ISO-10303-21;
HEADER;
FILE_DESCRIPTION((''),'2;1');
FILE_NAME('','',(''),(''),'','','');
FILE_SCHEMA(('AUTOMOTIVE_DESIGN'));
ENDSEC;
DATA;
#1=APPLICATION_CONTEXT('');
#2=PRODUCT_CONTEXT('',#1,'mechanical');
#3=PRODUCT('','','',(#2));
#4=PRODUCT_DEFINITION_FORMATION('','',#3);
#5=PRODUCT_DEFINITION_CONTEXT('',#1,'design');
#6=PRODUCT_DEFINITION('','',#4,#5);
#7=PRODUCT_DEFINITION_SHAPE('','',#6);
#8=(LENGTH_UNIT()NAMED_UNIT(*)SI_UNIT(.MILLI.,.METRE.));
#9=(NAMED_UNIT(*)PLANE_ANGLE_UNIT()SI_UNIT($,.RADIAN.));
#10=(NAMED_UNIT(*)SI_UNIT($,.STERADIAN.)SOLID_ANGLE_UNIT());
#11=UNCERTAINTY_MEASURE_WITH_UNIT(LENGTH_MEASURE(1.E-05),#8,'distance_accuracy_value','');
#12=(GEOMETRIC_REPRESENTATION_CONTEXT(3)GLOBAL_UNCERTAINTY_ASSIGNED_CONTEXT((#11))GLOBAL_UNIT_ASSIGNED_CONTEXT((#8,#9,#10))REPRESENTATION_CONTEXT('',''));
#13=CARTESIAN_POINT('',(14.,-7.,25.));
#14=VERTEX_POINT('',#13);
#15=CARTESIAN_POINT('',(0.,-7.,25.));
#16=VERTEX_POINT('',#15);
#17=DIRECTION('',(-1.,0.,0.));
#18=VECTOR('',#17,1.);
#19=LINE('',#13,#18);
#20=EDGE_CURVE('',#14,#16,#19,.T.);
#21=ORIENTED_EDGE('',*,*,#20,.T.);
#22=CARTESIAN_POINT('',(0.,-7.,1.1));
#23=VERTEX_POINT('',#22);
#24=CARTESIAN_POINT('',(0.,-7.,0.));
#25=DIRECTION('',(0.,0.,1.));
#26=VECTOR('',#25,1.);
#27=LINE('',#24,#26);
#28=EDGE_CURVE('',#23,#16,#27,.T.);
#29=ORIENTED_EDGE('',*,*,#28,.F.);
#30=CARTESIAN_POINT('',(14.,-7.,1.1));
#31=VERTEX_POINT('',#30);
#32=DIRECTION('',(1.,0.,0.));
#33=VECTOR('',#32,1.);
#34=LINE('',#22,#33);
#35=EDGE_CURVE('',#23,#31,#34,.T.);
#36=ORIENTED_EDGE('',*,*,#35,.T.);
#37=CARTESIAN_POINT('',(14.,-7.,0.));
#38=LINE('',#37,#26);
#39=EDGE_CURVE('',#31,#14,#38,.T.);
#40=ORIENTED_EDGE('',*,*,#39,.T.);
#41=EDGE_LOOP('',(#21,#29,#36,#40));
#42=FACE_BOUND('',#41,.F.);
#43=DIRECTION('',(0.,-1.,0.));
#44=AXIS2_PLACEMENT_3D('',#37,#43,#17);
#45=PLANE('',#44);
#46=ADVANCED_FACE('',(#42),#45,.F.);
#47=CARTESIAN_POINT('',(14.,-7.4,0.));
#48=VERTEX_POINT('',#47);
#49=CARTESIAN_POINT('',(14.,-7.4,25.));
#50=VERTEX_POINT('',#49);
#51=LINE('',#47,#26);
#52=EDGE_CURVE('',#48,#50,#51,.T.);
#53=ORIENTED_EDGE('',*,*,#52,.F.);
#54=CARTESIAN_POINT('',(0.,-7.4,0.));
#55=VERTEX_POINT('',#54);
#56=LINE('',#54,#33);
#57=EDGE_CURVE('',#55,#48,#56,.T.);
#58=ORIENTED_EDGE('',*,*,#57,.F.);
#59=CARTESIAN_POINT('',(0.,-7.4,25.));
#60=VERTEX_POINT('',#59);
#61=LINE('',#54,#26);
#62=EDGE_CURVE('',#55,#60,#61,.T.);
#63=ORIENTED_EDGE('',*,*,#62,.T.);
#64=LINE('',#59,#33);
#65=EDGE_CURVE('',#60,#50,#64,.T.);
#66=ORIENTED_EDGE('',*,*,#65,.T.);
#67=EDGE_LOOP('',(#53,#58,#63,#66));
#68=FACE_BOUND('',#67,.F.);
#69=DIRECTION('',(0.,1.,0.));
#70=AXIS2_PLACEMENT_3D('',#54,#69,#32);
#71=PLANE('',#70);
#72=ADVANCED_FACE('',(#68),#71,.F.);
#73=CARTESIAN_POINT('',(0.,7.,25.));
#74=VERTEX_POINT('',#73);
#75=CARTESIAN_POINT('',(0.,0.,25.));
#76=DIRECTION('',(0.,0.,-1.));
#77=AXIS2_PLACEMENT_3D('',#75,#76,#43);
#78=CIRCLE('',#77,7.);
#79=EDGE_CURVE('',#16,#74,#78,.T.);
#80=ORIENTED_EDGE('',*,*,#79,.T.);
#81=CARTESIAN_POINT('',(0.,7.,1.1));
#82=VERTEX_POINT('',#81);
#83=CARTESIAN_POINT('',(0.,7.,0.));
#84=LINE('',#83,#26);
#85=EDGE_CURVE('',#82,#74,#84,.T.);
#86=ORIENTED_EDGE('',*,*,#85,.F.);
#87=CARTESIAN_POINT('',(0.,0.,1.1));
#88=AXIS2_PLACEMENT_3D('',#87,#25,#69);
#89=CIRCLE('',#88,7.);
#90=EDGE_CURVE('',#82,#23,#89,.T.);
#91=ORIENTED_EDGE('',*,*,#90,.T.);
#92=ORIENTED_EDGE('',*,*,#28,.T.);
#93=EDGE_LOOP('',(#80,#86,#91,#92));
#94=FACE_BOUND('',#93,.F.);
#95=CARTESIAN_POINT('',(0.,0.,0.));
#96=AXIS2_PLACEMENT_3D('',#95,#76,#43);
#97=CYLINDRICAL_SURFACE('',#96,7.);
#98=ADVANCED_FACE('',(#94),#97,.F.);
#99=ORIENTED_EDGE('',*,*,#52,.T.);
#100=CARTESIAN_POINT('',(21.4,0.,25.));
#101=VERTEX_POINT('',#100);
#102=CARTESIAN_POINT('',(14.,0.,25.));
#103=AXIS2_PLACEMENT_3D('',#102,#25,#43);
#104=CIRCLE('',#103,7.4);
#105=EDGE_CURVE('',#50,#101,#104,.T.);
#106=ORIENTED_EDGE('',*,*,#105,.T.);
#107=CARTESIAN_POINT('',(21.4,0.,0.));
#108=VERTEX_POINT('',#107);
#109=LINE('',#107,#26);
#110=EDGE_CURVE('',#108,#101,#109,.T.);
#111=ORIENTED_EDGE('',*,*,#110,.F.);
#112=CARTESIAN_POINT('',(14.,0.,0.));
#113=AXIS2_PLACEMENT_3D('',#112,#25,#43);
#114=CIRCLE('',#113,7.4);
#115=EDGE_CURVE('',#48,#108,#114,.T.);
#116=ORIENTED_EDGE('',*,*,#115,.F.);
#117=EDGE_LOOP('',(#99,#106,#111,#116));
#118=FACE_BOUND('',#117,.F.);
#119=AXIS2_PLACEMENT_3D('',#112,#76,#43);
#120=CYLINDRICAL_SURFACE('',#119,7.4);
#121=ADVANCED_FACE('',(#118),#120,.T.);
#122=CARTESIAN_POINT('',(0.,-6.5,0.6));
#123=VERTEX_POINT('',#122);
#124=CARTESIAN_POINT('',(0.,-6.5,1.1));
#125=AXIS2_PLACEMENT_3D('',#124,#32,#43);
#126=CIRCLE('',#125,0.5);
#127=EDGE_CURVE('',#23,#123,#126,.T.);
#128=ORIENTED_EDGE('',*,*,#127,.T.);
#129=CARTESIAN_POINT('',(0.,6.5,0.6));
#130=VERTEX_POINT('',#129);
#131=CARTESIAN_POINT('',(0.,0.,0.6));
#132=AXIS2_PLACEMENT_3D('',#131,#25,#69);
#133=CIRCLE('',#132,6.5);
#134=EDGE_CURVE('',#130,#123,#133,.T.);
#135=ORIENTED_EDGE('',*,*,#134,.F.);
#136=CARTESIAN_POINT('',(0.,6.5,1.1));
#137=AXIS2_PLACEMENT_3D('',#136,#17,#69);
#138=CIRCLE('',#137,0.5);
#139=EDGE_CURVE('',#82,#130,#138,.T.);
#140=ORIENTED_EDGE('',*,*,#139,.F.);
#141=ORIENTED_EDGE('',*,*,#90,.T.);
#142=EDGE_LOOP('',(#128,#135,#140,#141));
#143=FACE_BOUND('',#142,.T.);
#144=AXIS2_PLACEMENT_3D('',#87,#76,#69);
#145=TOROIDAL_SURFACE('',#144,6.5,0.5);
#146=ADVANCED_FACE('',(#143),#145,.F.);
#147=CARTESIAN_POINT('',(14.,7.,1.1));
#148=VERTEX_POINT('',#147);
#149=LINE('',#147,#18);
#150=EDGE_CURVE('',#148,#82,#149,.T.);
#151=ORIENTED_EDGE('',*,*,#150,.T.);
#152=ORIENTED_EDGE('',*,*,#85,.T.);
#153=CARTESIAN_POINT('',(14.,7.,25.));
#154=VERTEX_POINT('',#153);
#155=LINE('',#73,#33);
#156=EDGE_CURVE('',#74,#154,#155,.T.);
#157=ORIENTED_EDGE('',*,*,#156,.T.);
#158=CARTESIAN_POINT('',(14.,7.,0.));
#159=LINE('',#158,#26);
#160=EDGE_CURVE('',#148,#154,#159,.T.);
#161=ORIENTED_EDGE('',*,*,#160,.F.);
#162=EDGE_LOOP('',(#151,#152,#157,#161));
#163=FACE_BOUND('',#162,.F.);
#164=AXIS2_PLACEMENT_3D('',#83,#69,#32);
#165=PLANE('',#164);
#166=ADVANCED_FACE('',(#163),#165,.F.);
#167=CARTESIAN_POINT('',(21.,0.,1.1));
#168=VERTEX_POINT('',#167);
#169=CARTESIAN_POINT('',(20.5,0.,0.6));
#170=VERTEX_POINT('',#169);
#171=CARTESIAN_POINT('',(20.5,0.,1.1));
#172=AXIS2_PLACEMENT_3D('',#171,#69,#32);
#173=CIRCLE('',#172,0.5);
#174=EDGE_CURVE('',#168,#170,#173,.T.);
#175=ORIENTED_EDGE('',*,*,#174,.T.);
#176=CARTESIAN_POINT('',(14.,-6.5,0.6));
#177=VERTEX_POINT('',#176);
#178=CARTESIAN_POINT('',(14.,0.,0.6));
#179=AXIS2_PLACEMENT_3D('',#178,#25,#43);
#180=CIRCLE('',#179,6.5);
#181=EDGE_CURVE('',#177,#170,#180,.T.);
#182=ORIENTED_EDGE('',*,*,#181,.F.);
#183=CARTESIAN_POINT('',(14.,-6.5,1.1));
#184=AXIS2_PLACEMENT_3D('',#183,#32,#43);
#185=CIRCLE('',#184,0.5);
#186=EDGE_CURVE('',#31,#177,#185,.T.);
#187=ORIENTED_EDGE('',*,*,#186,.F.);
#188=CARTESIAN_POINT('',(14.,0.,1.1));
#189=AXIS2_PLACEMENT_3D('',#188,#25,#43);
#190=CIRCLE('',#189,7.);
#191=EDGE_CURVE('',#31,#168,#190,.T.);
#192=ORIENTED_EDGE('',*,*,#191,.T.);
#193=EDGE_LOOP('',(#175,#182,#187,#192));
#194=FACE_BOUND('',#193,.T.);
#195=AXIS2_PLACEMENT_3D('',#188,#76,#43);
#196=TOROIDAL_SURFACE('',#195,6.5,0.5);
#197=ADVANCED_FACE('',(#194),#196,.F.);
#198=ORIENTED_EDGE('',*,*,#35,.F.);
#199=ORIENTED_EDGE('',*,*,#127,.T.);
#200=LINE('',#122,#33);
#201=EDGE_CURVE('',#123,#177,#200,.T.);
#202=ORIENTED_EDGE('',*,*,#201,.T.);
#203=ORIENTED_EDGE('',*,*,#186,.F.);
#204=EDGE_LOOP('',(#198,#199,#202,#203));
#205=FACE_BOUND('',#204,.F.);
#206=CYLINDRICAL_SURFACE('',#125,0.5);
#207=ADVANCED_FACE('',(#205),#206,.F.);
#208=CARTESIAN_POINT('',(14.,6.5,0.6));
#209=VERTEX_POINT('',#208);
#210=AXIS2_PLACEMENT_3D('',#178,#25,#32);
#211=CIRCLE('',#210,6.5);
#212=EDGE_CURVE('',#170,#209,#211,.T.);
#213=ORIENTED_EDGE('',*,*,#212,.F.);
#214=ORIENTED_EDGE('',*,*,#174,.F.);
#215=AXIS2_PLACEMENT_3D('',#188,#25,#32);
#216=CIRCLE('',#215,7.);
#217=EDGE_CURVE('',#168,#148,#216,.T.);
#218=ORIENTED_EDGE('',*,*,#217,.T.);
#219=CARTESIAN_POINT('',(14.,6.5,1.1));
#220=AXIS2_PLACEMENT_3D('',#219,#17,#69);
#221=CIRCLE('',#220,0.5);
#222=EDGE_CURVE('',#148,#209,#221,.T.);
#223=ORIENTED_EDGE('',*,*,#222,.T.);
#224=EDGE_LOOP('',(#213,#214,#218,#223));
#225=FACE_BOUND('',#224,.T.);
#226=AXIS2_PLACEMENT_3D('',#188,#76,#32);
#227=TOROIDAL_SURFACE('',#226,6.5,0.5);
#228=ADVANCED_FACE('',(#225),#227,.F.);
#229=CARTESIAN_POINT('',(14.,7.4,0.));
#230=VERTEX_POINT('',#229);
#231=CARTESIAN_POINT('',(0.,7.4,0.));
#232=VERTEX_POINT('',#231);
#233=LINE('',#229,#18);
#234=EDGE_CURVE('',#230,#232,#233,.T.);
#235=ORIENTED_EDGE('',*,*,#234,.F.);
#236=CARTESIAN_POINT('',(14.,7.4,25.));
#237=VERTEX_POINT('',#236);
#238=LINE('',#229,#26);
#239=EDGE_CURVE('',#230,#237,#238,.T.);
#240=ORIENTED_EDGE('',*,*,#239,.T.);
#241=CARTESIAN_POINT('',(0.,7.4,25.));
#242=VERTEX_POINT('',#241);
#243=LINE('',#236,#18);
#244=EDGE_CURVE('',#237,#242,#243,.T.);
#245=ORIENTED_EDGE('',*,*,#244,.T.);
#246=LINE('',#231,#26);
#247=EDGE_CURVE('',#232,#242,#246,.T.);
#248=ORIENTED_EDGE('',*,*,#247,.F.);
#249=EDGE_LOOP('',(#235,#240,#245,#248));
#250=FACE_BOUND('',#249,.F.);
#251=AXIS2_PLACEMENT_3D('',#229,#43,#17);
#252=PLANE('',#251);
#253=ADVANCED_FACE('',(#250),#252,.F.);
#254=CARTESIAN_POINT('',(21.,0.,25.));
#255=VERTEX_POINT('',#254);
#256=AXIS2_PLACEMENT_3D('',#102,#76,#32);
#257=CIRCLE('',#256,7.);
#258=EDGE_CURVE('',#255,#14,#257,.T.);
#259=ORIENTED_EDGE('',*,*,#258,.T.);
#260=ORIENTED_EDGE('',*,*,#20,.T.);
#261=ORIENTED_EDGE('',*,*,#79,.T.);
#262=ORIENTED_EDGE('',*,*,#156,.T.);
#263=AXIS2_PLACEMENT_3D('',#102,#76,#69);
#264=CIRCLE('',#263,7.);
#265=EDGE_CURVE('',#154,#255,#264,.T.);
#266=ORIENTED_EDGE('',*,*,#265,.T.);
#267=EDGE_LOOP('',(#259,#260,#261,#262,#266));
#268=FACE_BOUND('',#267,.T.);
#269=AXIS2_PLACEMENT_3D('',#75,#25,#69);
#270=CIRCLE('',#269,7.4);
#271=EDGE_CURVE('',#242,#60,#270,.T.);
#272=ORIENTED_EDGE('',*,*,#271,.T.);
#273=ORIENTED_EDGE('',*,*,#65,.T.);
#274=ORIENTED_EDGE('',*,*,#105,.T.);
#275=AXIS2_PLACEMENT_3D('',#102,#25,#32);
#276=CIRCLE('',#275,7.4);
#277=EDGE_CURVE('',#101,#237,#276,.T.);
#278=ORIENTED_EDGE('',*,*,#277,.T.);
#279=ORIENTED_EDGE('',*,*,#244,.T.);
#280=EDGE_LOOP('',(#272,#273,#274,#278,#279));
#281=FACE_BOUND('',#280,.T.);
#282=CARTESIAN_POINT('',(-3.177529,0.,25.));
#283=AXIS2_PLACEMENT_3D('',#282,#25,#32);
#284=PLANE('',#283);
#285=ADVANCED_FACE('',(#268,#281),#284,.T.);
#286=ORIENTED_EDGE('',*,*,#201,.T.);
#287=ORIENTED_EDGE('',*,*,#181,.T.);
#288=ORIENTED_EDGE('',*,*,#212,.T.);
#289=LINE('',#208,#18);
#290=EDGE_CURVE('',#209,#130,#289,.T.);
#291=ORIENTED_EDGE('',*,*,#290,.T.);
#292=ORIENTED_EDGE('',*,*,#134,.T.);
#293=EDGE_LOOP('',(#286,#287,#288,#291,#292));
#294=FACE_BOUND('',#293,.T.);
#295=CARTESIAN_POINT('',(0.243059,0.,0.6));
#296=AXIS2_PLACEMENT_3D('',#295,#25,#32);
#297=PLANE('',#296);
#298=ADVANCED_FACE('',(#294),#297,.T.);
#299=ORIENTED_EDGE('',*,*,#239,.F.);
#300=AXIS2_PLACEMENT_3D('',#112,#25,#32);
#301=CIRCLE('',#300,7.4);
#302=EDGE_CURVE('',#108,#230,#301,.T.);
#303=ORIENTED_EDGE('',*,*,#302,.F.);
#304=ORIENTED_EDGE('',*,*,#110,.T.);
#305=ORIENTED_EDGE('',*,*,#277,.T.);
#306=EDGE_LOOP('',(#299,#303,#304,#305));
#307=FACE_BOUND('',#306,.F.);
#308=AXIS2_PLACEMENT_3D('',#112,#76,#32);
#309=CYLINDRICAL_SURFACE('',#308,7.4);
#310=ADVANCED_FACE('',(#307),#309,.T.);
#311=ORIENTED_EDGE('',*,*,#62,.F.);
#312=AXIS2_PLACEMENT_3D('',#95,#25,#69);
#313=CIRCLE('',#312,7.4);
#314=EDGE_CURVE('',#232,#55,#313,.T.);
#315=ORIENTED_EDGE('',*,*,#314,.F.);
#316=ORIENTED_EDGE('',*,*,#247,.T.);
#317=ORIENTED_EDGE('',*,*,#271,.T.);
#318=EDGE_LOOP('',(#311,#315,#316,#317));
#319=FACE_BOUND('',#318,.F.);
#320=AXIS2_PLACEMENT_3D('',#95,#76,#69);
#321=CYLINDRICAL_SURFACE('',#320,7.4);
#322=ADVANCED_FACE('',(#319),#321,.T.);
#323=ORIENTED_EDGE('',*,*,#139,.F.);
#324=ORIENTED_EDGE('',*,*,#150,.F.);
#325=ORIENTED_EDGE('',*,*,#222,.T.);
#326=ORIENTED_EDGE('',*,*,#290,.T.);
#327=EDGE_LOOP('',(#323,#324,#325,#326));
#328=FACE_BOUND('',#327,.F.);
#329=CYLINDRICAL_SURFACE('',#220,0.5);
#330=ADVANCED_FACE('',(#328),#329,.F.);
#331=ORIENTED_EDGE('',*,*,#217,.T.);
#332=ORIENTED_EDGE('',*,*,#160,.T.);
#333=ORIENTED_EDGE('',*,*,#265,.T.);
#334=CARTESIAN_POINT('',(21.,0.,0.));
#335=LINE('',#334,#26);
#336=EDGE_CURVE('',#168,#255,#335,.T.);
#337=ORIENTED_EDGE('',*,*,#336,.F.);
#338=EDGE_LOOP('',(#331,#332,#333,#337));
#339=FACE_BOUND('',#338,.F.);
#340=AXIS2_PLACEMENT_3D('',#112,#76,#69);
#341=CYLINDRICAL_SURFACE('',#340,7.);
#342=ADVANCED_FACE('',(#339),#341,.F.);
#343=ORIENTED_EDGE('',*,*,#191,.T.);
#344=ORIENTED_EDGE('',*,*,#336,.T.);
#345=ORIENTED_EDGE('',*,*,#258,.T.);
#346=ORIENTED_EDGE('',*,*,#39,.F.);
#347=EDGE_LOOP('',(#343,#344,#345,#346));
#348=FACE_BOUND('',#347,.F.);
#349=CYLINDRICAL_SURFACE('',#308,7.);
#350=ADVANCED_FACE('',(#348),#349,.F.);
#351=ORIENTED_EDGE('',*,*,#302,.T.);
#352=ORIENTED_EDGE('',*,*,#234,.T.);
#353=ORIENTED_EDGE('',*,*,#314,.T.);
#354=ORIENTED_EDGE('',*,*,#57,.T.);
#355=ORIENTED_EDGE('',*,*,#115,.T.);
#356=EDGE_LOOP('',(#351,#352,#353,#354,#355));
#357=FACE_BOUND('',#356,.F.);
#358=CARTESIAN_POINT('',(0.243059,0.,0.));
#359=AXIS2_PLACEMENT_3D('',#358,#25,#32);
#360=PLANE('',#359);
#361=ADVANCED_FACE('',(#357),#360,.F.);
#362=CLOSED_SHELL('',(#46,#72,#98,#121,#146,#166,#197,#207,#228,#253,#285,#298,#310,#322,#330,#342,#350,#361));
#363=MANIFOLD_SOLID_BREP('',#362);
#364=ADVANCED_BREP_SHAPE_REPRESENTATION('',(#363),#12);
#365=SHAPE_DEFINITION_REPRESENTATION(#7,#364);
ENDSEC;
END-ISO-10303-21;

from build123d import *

# Parameters (mm, degrees)
F1_DEPTH = 25
F2_DEPTH = 0.6
F3_R     = 0.5


with BuildPart() as f1:
    # F0 (on Top) → F1 (new body)
    with BuildSketch(Plane.XY):
        with BuildLine():
            ThreePointArc((0, -7), (-7, 0), (0, 7))
            Line((0, 7), (2.4, 7))
            ThreePointArc((2.4, 7), (1.2165525061, 7.2993150364), (0, 7.4))
            ThreePointArc((0, 7.4), (-7.4, 0), (0, -7.4))
            ThreePointArc((0, -7.4), (1.2165525061, -7.2993150364), (2.4, -7))
            Line((2.4, -7), (0, -7))
        make_face()
        with BuildLine():
            ThreePointArc((0, 7.4), (1.2165525061, 7.2993150364), (2.4, 7))
            Line((2.4, 7), (11.6, 7))
            ThreePointArc((11.6, 7), (12.7834474939, 7.2993150364), (14, 7.4))
            Line((14, 7.4), (0, 7.4))
        make_face()
        with BuildLine():
            ThreePointArc((14, 7.4), (12.7834474939, 7.2993150364), (11.6, 7))
            Line((11.6, 7), (14, 7))
            ThreePointArc((14, 7), (18.9497474683, 4.9497474683), (21, 0))
            ThreePointArc((21, 0), (18.9497474683, -4.9497474683), (14, -7))
            Line((14, -7), (11.6, -7))
            ThreePointArc((11.6, -7), (12.7834474939, -7.2993150364), (14, -7.4))
            ThreePointArc((14, -7.4), (19.2325901808, -5.2325901808), (21.4, 0))
            ThreePointArc((21.4, 0), (19.2325901808, 5.2325901808), (14, 7.4))
        make_face()
        with BuildLine():
            Line((11.6, -7), (2.4, -7))
            ThreePointArc((2.4, -7), (1.2165525061, -7.2993150364), (0, -7.4))
            Line((0, -7.4), (14, -7.4))
            ThreePointArc((14, -7.4), (12.7834474939, -7.2993150364), (11.6, -7))
        make_face()
    extrude(amount=F1_DEPTH)

    # F0 (on Top) → F2 (join)
    with BuildSketch(Plane.XY):
        with BuildLine():
            ThreePointArc((6.7942857143, 1.6845419652), (4.3132473986, 5.5132473986), (0, 7))
            ThreePointArc((0, 7), (-7, 0), (0, -7))
            ThreePointArc((0, -7), (4.3132473986, -5.5132473986), (6.7942857143, -1.6845419652))
            ThreePointArc((6.7942857143, -1.6845419652), (6.6, 0), (6.7942857143, 1.6845419652))
        make_face()
        with BuildLine():
            ThreePointArc((7, -2.4), (5.2325901808, -5.2325901808), (2.4, -7))
            Line((2.4, -7), (11.6, -7))
            ThreePointArc((11.6, -7), (8.7674098192, -5.2325901808), (7, -2.4))
        make_face()
        with BuildLine():
            ThreePointArc((14, 7), (9.6867526014, 5.5132473986), (7.2057142857, 1.6845419652))
            ThreePointArc((7.2057142857, 1.6845419652), (7.3512681122, 0.8478544349), (7.4, 0))
            ThreePointArc((7.4, 0), (7.3512681122, -0.8478544349), (7.2057142857, -1.6845419652))
            ThreePointArc((7.2057142857, -1.6845419652), (9.6867526014, -5.5132473986), (14, -7))
            ThreePointArc((14, -7), (18.9497474683, -4.9497474683), (21, 0))
            ThreePointArc((21, 0), (18.9497474683, 4.9497474683), (14, 7))
        make_face()
        with BuildLine():
            ThreePointArc((6.7942857143, -1.6845419652), (4.3132473986, -5.5132473986), (0, -7))
            Line((0, -7), (2.4, -7))
            ThreePointArc((2.4, -7), (5.2325901808, -5.2325901808), (7, -2.4))
            ThreePointArc((7, -2.4), (6.8881402122, -2.044859496), (6.7942857143, -1.6845419652))
        make_face()
        with BuildLine():
            ThreePointArc((7.2057142857, -1.6845419652), (7.1118597878, -2.044859496), (7, -2.4))
            ThreePointArc((7, -2.4), (8.7674098192, -5.2325901808), (11.6, -7))
            Line((11.6, -7), (14, -7))
            ThreePointArc((14, -7), (9.6867526014, -5.5132473986), (7.2057142857, -1.6845419652))
        make_face()
        with BuildLine():
            ThreePointArc((7, 0), (6.9483811064, -0.8485281374), (6.7942857143, -1.6845419652))
            ThreePointArc((6.7942857143, -1.6845419652), (6.8881402122, -2.044859496), (7, -2.4))
            ThreePointArc((7, -2.4), (7.1118597878, -2.044859496), (7.2057142857, -1.6845419652))
            ThreePointArc((7.2057142857, -1.6845419652), (7.0516188936, -0.8485281374), (7, 0))
        make_face()
        with BuildLine():
            ThreePointArc((7.2057142857, 1.6845419652), (7.0516188936, 0.8485281374), (7, 0))
            ThreePointArc((7, 0), (7.0516188936, -0.8485281374), (7.2057142857, -1.6845419652))
            ThreePointArc((7.2057142857, -1.6845419652), (7.3512681122, -0.8478544349), (7.4, 0))
            ThreePointArc((7.4, 0), (7.3512681122, 0.8478544349), (7.2057142857, 1.6845419652))
        make_face()
        with BuildLine():
            ThreePointArc((7, 0), (6.9483811064, 0.8485281374), (6.7942857143, 1.6845419652))
            ThreePointArc((6.7942857143, 1.6845419652), (6.6, 0), (6.7942857143, -1.6845419652))
            ThreePointArc((6.7942857143, -1.6845419652), (6.9483811064, -0.8485281374), (7, 0))
        make_face()
        with BuildLine():
            Line((2.4, 7), (0, 7))
            ThreePointArc((0, 7), (4.3132473986, 5.5132473986), (6.7942857143, 1.6845419652))
            ThreePointArc((6.7942857143, 1.6845419652), (6.8881402122, 2.044859496), (7, 2.4))
            ThreePointArc((7, 2.4), (5.2325901808, 5.2325901808), (2.4, 7))
        make_face()
        with BuildLine():
            ThreePointArc((11.6, 7), (8.7674098192, 5.2325901808), (7, 2.4))
            ThreePointArc((7, 2.4), (7.1118597878, 2.044859496), (7.2057142857, 1.6845419652))
            ThreePointArc((7.2057142857, 1.6845419652), (9.6867526014, 5.5132473986), (14, 7))
            Line((14, 7), (11.6, 7))
        make_face()
        with BuildLine():
            ThreePointArc((7, 2.4), (6.8881402122, 2.044859496), (6.7942857143, 1.6845419652))
            ThreePointArc((6.7942857143, 1.6845419652), (6.9483811064, 0.8485281374), (7, 0))
            ThreePointArc((7, 0), (7.0516188936, 0.8485281374), (7.2057142857, 1.6845419652))
            ThreePointArc((7.2057142857, 1.6845419652), (7.1118597878, 2.044859496), (7, 2.4))
        make_face()
        with BuildLine():
            Line((11.6, 7), (2.4, 7))
            ThreePointArc((2.4, 7), (5.2325901808, 5.2325901808), (7, 2.4))
            ThreePointArc((7, 2.4), (8.7674098192, 5.2325901808), (11.6, 7))
        make_face()
    extrude(amount=F2_DEPTH)

    # F3
    f3_edges = [f1.edges().sort_by_distance(p)[0] for p in [
        (-7, 0, 0.6),
        (7, -7, 0.6),
        (21, 0, 0.6),
        (7, 7, 0.6),
    ]]
    fillet(f3_edges, radius=F3_R)


solid = f1.part
